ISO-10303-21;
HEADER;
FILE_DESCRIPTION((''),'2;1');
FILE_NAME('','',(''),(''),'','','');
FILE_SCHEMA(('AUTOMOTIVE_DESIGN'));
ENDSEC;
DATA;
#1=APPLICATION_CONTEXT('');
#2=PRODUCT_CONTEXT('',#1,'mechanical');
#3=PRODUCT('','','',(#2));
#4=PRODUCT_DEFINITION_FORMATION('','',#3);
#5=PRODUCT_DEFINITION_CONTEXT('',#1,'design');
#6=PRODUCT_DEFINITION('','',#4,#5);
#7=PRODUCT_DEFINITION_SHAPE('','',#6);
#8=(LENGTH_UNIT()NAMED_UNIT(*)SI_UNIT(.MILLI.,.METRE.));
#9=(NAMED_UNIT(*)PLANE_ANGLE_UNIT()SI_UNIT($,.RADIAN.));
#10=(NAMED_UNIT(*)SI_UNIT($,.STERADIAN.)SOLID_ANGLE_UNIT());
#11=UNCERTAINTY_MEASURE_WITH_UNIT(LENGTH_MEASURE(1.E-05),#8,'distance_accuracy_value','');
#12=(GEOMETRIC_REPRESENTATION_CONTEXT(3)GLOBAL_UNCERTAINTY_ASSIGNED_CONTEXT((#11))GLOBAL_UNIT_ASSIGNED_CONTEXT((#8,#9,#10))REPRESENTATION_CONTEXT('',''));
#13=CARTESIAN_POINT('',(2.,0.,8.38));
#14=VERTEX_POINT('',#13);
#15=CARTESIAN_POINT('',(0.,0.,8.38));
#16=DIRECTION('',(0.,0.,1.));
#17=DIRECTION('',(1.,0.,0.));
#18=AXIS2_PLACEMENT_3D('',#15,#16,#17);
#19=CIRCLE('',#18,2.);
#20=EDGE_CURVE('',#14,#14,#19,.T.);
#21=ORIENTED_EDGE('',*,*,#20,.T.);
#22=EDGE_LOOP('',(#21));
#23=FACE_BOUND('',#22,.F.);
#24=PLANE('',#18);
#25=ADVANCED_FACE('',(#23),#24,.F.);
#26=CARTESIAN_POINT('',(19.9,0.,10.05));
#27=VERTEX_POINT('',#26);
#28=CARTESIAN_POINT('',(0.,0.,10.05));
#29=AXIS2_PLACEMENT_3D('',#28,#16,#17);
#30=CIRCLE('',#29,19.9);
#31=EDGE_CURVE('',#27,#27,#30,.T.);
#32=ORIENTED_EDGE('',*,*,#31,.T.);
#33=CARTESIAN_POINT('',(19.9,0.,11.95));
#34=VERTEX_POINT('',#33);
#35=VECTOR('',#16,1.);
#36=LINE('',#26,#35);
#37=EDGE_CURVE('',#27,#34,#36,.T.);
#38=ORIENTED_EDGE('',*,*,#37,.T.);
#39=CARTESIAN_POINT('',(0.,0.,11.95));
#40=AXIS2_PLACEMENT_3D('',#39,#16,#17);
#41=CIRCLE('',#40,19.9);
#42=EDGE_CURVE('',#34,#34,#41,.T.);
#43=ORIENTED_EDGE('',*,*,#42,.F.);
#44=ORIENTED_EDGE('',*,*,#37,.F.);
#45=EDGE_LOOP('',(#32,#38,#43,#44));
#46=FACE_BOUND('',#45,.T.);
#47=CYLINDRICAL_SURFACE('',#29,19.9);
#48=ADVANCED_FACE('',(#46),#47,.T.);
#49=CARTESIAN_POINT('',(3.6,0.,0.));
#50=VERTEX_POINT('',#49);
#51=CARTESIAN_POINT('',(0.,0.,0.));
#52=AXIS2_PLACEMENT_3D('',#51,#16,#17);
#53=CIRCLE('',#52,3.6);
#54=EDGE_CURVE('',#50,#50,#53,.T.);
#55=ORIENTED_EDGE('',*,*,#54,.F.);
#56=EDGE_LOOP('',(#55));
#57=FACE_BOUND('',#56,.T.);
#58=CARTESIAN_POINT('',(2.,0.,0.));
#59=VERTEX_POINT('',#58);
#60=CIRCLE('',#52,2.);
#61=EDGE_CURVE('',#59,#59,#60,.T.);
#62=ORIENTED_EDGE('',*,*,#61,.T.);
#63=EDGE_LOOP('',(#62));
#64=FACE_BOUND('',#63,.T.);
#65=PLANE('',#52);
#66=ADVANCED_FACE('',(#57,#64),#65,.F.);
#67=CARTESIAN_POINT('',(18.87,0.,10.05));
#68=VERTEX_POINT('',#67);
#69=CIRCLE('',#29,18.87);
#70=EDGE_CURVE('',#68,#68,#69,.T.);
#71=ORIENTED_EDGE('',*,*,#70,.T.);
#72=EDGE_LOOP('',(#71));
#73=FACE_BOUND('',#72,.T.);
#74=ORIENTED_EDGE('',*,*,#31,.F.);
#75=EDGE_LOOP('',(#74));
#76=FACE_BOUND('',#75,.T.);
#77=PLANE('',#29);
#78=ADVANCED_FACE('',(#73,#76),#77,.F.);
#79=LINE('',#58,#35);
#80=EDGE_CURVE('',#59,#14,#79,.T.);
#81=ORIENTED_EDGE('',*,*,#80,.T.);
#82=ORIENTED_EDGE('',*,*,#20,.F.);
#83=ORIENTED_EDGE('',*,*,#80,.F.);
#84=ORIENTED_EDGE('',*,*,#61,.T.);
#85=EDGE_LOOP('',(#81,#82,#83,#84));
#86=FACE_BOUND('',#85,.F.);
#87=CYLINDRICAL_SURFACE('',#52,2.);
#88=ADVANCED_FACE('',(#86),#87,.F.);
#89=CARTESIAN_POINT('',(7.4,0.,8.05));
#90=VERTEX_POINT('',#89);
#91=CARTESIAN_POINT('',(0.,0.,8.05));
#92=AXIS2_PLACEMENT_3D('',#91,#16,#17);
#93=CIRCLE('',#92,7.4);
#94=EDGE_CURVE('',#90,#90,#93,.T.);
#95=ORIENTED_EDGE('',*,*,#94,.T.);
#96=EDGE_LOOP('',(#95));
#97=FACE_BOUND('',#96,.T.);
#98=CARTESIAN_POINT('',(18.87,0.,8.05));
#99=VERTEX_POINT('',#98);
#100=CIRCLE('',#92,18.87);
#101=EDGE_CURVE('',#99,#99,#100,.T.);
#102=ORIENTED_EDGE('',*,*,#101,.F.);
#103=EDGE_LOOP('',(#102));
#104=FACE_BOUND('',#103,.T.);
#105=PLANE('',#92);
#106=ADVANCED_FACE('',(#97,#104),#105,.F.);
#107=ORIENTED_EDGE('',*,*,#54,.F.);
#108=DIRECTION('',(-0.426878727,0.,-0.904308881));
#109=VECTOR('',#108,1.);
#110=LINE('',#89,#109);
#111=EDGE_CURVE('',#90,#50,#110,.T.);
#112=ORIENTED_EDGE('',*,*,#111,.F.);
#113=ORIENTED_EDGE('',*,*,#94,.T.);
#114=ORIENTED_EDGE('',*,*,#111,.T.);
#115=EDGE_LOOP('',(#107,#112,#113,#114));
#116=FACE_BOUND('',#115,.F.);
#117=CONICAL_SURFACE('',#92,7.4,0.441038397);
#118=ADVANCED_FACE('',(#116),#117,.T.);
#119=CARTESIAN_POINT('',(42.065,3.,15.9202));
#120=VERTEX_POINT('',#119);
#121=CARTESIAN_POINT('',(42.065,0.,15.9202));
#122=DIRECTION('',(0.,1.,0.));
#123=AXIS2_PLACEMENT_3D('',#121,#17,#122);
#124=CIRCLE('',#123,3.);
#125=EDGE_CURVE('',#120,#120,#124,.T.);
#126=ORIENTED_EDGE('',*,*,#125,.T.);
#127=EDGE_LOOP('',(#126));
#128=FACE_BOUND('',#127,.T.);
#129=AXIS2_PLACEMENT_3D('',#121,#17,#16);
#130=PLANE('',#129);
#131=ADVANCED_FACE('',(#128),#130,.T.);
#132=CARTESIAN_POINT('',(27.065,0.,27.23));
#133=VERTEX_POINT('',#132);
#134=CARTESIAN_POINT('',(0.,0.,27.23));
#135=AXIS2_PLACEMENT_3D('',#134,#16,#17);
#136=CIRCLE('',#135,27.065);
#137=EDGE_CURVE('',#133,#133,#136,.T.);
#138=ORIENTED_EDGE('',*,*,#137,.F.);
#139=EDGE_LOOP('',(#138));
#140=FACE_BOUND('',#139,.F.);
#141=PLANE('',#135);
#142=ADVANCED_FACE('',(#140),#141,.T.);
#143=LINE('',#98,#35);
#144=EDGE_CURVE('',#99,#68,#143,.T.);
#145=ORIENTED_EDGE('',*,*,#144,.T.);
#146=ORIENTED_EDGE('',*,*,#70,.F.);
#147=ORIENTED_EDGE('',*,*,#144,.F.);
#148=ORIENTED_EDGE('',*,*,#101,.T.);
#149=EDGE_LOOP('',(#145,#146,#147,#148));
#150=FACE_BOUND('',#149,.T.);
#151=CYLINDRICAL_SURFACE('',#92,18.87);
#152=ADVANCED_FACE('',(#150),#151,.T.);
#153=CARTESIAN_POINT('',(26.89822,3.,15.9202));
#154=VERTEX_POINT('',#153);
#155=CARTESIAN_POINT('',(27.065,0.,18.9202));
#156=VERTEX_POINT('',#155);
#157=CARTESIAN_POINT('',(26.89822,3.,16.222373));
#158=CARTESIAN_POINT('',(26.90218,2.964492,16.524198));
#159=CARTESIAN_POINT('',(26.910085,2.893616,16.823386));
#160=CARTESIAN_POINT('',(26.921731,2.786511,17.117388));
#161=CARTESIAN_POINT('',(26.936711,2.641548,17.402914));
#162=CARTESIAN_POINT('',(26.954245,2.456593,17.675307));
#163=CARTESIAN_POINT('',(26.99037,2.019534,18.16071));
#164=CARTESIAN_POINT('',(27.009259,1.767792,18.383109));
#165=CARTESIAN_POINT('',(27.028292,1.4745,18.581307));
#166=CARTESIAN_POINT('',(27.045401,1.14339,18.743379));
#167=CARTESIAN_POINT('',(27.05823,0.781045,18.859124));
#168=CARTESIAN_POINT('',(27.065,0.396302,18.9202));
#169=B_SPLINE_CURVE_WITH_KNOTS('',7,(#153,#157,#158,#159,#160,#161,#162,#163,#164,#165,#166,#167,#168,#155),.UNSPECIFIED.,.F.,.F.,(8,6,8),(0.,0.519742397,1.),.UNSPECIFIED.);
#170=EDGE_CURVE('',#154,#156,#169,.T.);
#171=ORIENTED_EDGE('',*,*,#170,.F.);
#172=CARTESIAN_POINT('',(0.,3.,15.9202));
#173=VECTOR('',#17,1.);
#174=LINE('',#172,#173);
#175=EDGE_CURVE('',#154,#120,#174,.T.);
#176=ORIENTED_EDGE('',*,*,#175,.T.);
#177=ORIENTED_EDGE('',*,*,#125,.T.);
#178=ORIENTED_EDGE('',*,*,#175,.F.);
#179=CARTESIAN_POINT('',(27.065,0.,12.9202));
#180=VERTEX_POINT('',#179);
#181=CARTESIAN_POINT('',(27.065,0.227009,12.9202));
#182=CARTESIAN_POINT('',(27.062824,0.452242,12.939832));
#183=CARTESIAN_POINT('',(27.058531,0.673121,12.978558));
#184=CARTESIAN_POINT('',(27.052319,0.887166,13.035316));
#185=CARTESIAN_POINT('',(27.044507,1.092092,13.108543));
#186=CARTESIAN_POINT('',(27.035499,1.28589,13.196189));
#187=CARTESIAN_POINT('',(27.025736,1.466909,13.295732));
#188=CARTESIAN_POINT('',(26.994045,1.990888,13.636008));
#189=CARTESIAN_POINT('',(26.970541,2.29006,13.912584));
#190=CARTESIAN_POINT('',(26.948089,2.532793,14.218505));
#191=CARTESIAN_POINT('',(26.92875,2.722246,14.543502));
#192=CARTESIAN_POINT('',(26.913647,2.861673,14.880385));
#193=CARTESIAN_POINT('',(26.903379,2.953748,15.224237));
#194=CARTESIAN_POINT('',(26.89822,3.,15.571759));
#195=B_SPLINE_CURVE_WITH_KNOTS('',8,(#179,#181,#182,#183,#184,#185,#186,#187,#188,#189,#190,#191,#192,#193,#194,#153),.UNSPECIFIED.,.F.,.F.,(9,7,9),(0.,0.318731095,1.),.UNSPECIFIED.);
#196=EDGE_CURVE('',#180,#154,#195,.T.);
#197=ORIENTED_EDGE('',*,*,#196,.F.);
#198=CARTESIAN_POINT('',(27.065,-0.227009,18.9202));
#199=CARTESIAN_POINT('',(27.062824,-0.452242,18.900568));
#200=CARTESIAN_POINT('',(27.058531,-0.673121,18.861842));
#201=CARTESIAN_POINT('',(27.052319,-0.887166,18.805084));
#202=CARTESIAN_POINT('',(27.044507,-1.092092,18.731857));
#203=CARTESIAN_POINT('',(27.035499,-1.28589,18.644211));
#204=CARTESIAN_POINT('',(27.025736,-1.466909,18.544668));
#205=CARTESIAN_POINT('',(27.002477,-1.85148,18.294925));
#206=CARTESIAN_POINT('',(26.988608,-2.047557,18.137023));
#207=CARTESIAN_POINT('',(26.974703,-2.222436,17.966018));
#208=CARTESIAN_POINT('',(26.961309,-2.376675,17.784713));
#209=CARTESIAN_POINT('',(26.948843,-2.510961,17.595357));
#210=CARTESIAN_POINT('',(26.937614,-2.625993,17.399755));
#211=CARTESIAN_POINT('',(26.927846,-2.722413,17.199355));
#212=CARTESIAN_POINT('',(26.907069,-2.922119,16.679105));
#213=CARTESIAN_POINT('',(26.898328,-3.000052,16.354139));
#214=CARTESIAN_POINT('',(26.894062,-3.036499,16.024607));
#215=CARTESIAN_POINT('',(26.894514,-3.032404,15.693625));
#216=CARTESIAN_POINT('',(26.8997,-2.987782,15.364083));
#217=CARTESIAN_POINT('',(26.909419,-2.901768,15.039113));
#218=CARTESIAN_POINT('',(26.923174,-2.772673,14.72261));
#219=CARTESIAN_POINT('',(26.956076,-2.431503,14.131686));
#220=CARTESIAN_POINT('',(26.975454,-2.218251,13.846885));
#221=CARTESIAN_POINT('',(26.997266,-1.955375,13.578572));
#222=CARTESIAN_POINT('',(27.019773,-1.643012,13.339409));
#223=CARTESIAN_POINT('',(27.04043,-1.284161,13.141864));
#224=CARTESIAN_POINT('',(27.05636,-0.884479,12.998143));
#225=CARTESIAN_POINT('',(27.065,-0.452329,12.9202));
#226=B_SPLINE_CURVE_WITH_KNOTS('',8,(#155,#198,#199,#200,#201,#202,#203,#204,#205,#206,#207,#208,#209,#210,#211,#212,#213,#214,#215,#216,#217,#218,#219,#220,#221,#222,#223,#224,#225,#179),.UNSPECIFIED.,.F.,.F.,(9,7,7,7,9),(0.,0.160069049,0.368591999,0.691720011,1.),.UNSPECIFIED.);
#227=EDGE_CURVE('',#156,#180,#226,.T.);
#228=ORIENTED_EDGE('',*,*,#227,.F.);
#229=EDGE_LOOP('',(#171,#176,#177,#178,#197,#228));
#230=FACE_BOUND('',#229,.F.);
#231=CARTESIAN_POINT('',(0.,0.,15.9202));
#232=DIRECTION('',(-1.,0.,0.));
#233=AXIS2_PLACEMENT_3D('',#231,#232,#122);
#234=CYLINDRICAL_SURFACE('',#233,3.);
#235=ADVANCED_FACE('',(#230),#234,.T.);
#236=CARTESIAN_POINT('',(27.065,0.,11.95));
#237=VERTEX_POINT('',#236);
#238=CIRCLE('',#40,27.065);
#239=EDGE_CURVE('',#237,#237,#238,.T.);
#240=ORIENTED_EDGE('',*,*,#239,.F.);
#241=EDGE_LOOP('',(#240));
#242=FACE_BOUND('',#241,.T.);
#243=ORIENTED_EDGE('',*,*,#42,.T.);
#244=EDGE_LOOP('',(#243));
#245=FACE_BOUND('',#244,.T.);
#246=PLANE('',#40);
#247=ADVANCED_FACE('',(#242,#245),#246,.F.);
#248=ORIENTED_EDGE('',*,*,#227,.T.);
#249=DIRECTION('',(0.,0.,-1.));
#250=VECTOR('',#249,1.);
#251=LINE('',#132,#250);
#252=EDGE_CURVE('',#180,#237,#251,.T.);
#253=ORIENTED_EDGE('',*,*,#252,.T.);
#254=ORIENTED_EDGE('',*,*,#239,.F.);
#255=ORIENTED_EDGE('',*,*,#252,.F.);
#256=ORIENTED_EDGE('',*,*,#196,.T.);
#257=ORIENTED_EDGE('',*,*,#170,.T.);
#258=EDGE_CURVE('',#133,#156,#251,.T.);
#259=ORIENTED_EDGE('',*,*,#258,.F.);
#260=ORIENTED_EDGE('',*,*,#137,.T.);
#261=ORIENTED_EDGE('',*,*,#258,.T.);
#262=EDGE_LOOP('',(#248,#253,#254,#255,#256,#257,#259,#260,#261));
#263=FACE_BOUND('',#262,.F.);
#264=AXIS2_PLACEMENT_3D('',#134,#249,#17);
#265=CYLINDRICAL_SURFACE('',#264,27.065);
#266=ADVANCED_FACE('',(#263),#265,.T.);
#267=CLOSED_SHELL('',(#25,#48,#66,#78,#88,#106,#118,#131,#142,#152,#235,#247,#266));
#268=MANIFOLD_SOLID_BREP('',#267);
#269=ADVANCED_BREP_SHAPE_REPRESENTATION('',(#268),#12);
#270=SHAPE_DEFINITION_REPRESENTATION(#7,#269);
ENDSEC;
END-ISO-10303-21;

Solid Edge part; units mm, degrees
sketch "Sketch1" plane through (0, 0, 0) normal (0, -1, 0) x (1, 0, 0)
  line L0 (0, 27.23) -> (27.065, 27.23)
  line L1 (27.065, 27.23) -> (27.065, 11.95)
  line L2 (19.9, 11.95) -> (27.065, 11.95)
  line L3 (19.9, 10.05) -> (19.9, 11.95)
  line L4 (18.87, 10.05) -> (19.9, 10.05)
  line L5 (18.87, 8.05) -> (18.87, 10.05)
  line L6 (7.4, 8.05) -> (18.87, 8.05)
  line L7 (7.4, 8.05) -> (3.6, 0)
  line L8 (2, 0) -> (3.6, 0)
  line L9 (2, 0) -> (2, 8.38)
  line L10 (2, 8.38) -> (0, 8.38)
  line L11 (0, 8.38) -> (0, 27.23)
revolve "RevolvedProtrusion1" add sketch "Sketch1" angle 360 about axis through (0, 0, 8.38) along (0, 0, 1)
sketch "Sketch2" plane through (0, 0, 0) normal (1, 0, 0) x (0, 1, 0)
  circle A0 centre (0, 15.9202) radius 3
extrude "ExtrudedProtrusion_2" add sketch "Sketch2" along normal blind 42.065 and the other way blind 3.3012
